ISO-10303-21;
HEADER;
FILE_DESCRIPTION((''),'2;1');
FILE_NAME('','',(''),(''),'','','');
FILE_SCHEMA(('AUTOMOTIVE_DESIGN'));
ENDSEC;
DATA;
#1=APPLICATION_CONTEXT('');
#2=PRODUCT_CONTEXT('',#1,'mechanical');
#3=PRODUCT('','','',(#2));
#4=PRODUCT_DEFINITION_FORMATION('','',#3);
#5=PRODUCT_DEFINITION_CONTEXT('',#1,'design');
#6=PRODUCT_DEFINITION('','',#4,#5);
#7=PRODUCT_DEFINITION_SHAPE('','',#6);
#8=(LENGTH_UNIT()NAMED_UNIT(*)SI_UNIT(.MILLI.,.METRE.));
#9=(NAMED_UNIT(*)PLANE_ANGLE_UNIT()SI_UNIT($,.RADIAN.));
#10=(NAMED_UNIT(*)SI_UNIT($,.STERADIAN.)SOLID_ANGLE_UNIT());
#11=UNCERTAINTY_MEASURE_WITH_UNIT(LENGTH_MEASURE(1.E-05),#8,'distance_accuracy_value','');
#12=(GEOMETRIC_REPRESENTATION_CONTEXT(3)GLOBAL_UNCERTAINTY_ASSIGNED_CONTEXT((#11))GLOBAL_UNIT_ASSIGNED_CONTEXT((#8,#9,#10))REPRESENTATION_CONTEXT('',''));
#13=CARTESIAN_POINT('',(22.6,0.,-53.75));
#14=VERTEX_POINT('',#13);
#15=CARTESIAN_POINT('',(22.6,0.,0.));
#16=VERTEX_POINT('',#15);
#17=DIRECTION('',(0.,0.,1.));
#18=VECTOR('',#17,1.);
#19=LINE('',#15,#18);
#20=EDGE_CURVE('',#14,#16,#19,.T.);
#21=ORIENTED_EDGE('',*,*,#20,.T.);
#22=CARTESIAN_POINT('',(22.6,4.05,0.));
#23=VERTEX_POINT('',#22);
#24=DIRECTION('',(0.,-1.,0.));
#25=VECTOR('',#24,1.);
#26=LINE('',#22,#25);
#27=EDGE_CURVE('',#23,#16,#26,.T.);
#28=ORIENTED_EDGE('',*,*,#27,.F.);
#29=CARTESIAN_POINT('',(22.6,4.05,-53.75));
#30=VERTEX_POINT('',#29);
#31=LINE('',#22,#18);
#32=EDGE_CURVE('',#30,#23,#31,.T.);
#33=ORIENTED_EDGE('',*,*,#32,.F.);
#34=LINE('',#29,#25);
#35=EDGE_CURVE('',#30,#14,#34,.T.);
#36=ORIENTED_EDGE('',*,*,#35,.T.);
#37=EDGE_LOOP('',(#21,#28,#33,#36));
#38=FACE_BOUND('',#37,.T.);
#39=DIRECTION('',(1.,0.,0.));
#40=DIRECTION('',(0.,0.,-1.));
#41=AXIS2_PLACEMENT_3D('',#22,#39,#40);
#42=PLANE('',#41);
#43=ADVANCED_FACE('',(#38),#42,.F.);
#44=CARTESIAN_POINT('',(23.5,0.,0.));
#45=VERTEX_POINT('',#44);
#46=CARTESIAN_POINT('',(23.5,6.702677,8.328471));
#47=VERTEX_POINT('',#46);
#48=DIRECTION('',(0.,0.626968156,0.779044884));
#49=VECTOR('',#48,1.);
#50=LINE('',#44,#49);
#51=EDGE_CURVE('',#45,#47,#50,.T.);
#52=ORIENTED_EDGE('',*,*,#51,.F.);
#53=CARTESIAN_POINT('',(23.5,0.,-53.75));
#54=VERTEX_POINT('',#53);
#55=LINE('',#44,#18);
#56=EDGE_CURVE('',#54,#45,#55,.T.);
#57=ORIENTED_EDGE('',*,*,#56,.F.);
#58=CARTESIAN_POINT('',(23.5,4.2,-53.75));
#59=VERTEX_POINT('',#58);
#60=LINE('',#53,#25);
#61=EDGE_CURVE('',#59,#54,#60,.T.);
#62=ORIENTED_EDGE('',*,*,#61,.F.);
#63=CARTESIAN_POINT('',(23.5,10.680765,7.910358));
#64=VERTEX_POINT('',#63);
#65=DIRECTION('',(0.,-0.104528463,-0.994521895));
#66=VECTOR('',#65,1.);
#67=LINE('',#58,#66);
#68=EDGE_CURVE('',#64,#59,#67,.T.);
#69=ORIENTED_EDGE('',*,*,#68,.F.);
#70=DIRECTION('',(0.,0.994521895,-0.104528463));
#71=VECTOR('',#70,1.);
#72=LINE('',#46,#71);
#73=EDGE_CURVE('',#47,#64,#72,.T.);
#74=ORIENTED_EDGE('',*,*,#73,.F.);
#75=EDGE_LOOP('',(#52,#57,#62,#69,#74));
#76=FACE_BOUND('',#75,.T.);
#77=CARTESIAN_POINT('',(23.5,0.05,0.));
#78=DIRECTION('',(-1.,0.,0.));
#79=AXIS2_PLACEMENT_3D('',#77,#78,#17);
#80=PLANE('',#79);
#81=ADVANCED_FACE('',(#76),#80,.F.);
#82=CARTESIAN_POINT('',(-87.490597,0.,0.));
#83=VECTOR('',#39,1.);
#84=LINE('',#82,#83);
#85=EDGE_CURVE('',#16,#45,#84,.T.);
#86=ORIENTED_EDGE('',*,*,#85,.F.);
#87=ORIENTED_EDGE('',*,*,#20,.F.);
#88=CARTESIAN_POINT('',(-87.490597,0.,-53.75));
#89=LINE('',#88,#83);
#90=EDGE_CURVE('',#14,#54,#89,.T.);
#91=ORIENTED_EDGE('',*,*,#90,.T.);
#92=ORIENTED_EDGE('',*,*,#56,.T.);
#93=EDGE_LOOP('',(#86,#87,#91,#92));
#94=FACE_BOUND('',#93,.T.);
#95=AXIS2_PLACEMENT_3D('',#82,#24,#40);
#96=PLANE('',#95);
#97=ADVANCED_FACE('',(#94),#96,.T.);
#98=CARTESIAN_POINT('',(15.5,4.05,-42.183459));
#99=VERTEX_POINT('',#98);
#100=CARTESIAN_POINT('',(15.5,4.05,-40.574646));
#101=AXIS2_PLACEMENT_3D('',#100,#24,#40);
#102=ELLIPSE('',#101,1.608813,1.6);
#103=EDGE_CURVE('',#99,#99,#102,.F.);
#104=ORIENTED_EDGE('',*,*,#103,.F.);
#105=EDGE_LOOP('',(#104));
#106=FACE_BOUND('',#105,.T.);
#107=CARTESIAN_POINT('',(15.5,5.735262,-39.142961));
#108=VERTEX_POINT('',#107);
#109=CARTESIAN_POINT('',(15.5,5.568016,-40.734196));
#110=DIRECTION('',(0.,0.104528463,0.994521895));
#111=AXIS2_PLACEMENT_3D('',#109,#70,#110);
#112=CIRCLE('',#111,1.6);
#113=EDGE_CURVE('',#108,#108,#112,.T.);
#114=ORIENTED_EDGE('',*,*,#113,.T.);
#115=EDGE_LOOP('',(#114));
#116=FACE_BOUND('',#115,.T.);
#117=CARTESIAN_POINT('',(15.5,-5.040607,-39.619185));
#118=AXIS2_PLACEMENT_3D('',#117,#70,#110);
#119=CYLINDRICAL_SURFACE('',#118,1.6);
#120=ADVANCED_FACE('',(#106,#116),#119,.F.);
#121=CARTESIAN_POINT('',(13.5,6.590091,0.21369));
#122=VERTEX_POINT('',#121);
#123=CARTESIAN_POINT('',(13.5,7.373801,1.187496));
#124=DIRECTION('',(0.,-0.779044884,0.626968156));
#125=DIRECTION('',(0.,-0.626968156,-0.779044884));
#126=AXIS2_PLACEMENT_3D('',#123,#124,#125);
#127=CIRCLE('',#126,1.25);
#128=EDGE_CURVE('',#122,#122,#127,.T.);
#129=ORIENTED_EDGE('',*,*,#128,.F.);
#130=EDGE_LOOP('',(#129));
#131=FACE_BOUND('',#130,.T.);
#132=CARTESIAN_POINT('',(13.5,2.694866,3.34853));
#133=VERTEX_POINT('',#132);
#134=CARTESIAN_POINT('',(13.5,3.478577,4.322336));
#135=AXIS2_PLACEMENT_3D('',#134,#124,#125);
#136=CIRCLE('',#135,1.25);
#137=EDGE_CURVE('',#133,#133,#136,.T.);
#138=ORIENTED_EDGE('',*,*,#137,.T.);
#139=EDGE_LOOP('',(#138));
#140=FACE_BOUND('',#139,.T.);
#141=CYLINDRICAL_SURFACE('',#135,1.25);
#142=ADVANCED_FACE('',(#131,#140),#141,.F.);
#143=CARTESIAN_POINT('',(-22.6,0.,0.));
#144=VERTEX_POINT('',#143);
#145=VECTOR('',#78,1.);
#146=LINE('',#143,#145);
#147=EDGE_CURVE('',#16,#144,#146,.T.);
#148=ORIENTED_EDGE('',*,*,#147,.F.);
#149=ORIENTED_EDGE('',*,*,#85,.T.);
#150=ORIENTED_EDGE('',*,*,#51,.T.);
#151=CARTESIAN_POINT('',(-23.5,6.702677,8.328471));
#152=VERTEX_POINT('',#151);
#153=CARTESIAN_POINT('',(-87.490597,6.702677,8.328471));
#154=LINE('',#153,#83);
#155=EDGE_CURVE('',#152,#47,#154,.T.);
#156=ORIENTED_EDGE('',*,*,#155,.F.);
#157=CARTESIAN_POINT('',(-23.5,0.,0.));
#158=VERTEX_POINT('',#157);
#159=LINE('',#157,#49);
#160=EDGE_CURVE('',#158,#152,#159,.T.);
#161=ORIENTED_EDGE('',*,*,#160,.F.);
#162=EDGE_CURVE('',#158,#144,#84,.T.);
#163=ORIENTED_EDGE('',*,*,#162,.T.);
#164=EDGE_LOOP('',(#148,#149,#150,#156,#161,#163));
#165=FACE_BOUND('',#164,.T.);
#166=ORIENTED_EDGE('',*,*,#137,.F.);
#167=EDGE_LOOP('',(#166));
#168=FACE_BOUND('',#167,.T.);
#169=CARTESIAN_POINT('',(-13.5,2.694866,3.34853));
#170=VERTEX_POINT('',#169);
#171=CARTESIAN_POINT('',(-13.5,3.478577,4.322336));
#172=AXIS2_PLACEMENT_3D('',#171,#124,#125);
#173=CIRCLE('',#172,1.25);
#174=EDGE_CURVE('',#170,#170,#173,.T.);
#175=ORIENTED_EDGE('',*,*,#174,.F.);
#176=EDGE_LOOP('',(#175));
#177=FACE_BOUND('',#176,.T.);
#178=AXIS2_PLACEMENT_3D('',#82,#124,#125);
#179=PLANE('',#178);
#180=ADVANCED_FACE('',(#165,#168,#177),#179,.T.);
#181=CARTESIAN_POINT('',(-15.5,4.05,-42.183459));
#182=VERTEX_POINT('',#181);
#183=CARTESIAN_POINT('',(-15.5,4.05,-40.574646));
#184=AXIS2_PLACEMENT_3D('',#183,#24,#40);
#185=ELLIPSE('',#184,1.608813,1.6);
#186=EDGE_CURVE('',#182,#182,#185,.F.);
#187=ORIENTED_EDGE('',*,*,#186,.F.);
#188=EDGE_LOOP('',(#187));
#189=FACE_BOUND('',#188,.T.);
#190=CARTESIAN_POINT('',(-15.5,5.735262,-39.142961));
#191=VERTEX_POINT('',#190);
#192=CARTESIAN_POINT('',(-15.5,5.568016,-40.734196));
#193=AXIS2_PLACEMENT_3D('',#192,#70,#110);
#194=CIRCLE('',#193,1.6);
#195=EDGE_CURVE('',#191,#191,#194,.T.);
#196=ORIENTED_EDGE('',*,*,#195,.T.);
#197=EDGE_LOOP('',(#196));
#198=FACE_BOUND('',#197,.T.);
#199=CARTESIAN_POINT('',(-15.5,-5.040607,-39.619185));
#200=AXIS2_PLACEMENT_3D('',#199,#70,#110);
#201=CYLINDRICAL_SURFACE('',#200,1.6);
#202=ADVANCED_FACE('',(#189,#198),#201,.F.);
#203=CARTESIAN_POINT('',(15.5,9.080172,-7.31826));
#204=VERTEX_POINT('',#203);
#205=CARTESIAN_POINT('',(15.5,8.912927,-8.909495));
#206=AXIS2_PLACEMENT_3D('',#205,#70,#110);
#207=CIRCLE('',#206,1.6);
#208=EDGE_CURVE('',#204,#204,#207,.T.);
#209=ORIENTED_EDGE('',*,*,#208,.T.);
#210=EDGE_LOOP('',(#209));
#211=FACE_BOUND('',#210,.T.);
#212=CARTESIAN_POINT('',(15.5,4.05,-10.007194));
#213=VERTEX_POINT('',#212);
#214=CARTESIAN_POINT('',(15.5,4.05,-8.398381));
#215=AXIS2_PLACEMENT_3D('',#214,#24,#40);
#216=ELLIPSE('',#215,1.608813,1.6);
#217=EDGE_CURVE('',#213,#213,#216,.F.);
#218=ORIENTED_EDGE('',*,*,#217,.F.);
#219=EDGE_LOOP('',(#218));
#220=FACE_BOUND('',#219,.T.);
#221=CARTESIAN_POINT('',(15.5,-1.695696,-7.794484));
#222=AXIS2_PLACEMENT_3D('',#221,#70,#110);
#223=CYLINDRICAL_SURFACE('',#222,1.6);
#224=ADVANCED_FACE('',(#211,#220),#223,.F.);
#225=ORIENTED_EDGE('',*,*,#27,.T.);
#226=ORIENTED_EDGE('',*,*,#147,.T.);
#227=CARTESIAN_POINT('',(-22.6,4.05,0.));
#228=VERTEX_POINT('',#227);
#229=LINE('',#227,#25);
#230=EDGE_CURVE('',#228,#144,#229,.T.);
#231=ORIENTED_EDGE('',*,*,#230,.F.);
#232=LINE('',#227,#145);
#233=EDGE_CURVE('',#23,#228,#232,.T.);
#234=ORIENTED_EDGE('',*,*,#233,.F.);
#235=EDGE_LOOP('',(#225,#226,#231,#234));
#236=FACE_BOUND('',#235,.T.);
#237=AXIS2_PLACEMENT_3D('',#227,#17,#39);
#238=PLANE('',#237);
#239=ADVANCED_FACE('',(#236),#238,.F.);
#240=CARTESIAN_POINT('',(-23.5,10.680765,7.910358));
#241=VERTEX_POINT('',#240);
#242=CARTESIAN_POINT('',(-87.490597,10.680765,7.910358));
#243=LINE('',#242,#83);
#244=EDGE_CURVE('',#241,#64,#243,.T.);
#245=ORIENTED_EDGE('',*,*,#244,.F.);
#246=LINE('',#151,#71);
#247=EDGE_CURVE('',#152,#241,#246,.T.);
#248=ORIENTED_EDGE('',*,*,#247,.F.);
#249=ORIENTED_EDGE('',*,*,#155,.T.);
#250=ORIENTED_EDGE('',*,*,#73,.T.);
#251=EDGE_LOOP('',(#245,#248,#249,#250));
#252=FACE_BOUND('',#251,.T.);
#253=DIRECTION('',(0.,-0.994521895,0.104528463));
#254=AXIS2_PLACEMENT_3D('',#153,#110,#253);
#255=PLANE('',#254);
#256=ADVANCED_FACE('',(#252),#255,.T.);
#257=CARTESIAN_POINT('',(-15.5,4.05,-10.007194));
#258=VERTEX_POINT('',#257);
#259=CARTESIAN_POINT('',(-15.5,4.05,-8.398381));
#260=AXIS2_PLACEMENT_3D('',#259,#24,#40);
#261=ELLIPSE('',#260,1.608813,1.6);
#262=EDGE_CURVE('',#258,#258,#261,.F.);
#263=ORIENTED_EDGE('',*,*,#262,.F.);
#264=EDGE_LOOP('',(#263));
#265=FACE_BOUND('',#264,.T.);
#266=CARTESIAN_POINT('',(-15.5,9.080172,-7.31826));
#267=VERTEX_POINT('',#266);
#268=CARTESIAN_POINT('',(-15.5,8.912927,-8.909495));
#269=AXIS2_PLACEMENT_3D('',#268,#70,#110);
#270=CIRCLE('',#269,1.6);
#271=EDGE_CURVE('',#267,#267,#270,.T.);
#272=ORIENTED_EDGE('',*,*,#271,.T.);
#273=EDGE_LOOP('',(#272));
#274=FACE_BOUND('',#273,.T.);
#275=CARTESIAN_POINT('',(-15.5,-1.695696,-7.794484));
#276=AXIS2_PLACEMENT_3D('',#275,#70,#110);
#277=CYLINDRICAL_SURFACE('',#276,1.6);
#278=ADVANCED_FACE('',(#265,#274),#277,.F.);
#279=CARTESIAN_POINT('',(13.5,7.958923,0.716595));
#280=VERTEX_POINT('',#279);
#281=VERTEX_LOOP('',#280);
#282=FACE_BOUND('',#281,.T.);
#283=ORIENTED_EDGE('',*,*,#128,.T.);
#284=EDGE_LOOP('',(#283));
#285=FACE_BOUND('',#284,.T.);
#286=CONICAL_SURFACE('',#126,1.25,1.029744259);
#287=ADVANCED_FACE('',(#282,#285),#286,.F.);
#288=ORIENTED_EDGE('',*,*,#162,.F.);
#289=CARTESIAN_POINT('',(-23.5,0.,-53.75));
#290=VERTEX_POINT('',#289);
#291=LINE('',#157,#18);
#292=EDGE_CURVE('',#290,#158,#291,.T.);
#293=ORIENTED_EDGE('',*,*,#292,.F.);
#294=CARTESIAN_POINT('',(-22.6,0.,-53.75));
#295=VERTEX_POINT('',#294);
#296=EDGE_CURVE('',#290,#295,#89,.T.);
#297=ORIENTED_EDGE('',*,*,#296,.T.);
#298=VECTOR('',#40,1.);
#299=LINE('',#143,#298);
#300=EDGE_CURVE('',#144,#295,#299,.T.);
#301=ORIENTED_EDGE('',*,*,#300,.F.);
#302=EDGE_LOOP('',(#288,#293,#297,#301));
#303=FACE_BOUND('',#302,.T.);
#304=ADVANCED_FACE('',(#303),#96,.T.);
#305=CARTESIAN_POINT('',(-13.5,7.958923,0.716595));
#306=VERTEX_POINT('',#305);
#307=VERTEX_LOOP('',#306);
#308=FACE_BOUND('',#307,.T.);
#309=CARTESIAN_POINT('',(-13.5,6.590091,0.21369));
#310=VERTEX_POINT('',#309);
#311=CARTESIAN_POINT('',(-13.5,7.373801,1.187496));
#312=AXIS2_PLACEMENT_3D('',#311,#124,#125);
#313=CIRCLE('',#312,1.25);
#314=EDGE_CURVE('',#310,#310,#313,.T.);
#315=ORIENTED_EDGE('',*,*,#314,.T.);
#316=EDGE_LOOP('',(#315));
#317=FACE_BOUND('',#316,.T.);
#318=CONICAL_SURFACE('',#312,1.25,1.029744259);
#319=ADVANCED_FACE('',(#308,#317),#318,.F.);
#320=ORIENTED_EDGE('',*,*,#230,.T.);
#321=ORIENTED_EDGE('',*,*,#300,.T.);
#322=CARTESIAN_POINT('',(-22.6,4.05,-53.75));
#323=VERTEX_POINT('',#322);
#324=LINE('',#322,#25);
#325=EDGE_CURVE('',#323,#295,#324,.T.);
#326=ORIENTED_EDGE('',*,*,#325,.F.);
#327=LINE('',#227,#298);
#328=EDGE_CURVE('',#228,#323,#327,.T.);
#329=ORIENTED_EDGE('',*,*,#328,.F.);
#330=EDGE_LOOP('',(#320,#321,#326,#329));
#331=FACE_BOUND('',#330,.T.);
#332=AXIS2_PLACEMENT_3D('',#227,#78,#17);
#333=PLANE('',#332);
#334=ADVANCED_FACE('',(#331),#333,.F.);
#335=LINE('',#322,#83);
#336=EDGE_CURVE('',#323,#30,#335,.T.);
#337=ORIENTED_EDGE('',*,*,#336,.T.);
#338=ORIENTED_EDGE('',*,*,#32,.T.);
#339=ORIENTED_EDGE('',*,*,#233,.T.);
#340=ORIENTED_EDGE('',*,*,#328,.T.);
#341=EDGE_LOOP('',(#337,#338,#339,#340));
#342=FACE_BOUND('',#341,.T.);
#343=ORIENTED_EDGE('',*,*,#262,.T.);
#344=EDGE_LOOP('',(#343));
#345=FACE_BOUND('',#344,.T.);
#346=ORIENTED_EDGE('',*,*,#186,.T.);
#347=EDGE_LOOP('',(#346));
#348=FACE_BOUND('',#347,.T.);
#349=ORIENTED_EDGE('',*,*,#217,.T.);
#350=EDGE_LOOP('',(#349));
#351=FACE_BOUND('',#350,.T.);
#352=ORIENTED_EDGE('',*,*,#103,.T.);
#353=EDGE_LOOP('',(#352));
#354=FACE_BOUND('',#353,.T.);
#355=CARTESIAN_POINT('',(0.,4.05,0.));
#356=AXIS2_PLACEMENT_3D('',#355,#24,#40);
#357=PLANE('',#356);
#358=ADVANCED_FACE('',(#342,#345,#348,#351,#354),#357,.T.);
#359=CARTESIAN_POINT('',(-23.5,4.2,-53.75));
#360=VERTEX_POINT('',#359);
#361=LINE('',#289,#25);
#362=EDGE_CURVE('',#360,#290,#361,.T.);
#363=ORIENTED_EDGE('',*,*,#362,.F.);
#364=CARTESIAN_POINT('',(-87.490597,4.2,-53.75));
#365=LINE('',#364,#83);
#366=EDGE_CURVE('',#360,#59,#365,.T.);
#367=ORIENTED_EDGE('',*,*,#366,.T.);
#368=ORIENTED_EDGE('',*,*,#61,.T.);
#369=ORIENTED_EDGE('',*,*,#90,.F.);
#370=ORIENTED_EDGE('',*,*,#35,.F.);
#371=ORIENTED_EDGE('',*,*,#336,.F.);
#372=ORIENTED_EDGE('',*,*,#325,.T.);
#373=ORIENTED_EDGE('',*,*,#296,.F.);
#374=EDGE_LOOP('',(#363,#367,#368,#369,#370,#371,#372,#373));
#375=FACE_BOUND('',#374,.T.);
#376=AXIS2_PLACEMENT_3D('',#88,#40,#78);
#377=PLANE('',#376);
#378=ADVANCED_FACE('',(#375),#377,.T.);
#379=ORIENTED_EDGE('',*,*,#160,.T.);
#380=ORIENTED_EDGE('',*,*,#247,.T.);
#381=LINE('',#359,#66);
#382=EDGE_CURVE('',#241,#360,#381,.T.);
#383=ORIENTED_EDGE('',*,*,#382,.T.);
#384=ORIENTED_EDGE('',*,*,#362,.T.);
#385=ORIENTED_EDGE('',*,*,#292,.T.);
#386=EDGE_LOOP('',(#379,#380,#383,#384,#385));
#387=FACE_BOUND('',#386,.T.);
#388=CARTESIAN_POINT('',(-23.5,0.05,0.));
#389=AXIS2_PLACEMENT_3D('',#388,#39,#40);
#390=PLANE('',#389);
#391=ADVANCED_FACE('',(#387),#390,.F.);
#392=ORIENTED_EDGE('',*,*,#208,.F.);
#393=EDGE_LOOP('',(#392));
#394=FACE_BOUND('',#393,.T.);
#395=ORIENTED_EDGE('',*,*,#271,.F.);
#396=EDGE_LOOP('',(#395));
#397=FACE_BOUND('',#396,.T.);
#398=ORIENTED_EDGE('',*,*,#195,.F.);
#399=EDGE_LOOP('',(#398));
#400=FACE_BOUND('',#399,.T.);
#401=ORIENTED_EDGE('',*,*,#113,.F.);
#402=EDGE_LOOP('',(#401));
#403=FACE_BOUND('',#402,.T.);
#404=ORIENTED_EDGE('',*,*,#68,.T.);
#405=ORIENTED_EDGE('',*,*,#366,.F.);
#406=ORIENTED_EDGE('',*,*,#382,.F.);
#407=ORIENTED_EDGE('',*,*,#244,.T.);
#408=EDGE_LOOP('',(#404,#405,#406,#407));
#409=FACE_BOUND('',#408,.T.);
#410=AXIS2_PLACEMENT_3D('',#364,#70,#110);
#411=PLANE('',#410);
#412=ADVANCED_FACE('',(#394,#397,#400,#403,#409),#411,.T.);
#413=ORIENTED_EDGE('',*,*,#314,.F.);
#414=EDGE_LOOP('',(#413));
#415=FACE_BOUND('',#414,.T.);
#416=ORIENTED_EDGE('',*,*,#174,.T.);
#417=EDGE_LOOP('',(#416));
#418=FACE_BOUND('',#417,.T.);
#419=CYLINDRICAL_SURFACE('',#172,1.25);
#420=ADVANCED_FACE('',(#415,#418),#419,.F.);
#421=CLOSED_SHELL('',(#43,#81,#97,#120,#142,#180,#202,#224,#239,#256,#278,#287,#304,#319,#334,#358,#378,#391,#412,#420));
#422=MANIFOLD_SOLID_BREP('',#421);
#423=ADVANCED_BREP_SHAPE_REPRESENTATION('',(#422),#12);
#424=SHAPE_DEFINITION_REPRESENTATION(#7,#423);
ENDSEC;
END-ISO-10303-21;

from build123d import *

# Parameters (mm, degrees)
BOSS_EXTRU_1_DEPTH                            = 23.5
BOSS_EXTRU_1_DEPTH_BACK                       = 23.5
ESQUISSE2_W                                   = 45.2
ESQUISSE2_H                                   = 53.75
ENL_V_MAT_EXTRU_1_DEPTH                       = 4.05
ENL_V_MAT_EXTRU_2_REACH                       = 60.542
ESQUISSE3_R                                   = 1.6
TROU_POUR_TARAUDAGE_POUR_TROU_TARAUD_M3_D     = 2.5
TROU_POUR_TARAUDAGE_POUR_TROU_TARAUD_M3_DEPTH = 5
TROU_POUR_TARAUDAGE_POUR_TROU_TARAUD_M3_TIP   = 0.751075774


with BuildPart() as part:
    # Esquisse1 → Boss.-Extru.1 (new, two sides: drawn at the far end of the back side and taken through both)
    with BuildSketch(Plane(origin=(0, 0, 0), x_dir=(0, 0, -1), z_dir=(1, 0, 0)).offset(-BOSS_EXTRU_1_DEPTH_BACK)):
        Polygon((53.75, 4.2), (-7.910357513, 10.680764723), (-8.328471366, 6.702677141), (0, 0), (53.75, 0), align=None)
    extrude(amount=BOSS_EXTRU_1_DEPTH + BOSS_EXTRU_1_DEPTH_BACK)

    # Esquisse2 → Enlèv. mat.-Extru.1 (cut)
    with BuildSketch(Plane.XZ):
        with Locations((0, -26.875)):
            Rectangle(ESQUISSE2_W, ESQUISSE2_H)
    extrude(amount=-ENL_V_MAT_EXTRU_1_DEPTH, mode=Mode.SUBTRACT)

    # Enlèv. mat.-Extru.2: up to this plane
    enl_v_mat_extru_2_end = Plane(origin=(0, 4.05, 0), z_dir=(0, -1, 0))
    # Esquisse3 → Enlèv. mat.-Extru.2 (cut, up to the surface)
    with BuildSketch(Plane(origin=(0, 9.741736652, -1.023897781), x_dir=(1, 0, 0), z_dir=(0, 0.9945218953682741, -0.10452846326764641)), mode=Mode.PRIVATE) as enl_v_mat_extru_2_sk1:
        with Locations(Location((-15.5, 39.929033745, 0), (0, 0, 270))):
            Circle(ESQUISSE3_R)
    enl_v_mat_extru_2_tool1 = split(extrude(enl_v_mat_extru_2_sk1.sketch, amount=-ENL_V_MAT_EXTRU_2_REACH, mode=Mode.PRIVATE), bisect_by=enl_v_mat_extru_2_end, keep=Keep.BOTH, mode=Mode.PRIVATE)
    add(enl_v_mat_extru_2_tool1.solids().sort_by_distance((-15.5, 5.568016, -40.734196))[0], mode=Mode.SUBTRACT)
    # Esquisse3 → Enlèv. mat.-Extru.2 (cut, up to the surface)
    with BuildSketch(Plane(origin=(0, 9.741736652, -1.023897781), x_dir=(1, 0, 0), z_dir=(0, 0.9945218953682741, -0.10452846326764641)), mode=Mode.PRIVATE) as enl_v_mat_extru_2_sk2:
        with Locations(Location((15.5, 39.929033745, 0), (0, 0, 270))):
            Circle(ESQUISSE3_R)
    enl_v_mat_extru_2_tool2 = split(extrude(enl_v_mat_extru_2_sk2.sketch, amount=-ENL_V_MAT_EXTRU_2_REACH, mode=Mode.PRIVATE), bisect_by=enl_v_mat_extru_2_end, keep=Keep.BOTH, mode=Mode.PRIVATE)
    add(enl_v_mat_extru_2_tool2.solids().sort_by_distance((15.5, 5.568016, -40.734196))[0], mode=Mode.SUBTRACT)
    # Esquisse3 → Enlèv. mat.-Extru.2 (cut, up to the surface)
    with BuildSketch(Plane(origin=(0, 9.741736652, -1.023897781), x_dir=(1, 0, 0), z_dir=(0, 0.9945218953682741, -0.10452846326764641)), mode=Mode.PRIVATE) as enl_v_mat_extru_2_sk3:
        with Locations(Location((15.5, 7.929033745, 0), (0, 0, 270))):
            Circle(ESQUISSE3_R)
    enl_v_mat_extru_2_tool3 = split(extrude(enl_v_mat_extru_2_sk3.sketch, amount=-ENL_V_MAT_EXTRU_2_REACH, mode=Mode.PRIVATE), bisect_by=enl_v_mat_extru_2_end, keep=Keep.BOTH, mode=Mode.PRIVATE)
    add(enl_v_mat_extru_2_tool3.solids().sort_by_distance((15.5, 8.912927, -8.909495))[0], mode=Mode.SUBTRACT)
    # Esquisse3 → Enlèv. mat.-Extru.2 (cut, up to the surface)
    with BuildSketch(Plane(origin=(0, 9.741736652, -1.023897781), x_dir=(1, 0, 0), z_dir=(0, 0.9945218953682741, -0.10452846326764641)), mode=Mode.PRIVATE) as enl_v_mat_extru_2_sk4:
        with Locations(Location((-15.5, 7.929033745, 0), (0, 0, 270))):
            Circle(ESQUISSE3_R)
    enl_v_mat_extru_2_tool4 = split(extrude(enl_v_mat_extru_2_sk4.sketch, amount=-ENL_V_MAT_EXTRU_2_REACH, mode=Mode.PRIVATE), bisect_by=enl_v_mat_extru_2_end, keep=Keep.BOTH, mode=Mode.PRIVATE)
    add(enl_v_mat_extru_2_tool4.solids().sort_by_distance((-15.5, 8.912927, -8.909495))[0], mode=Mode.SUBTRACT)

    # Trou pour taraudage pour trou taraudé M31
    with Locations(Plane(origin=(0, 0, 0), x_dir=(-1, 0, 0), z_dir=(0, -0.779044883952261, 0.6269681561194383))):
        with Locations((13.5, -5.548250916), (-13.5, -5.548250916)):
            Hole(TROU_POUR_TARAUDAGE_POUR_TROU_TARAUD_M3_D / 2, depth=TROU_POUR_TARAUDAGE_POUR_TROU_TARAUD_M3_DEPTH)
            with Locations((0, 0, -(TROU_POUR_TARAUDAGE_POUR_TROU_TARAUD_M3_DEPTH + TROU_POUR_TARAUDAGE_POUR_TROU_TARAUD_M3_TIP / 2))):  # 118° drill point
                Cone(0, TROU_POUR_TARAUDAGE_POUR_TROU_TARAUD_M3_D / 2, TROU_POUR_TARAUDAGE_POUR_TROU_TARAUD_M3_TIP, mode=Mode.SUBTRACT)


solid = part.part
